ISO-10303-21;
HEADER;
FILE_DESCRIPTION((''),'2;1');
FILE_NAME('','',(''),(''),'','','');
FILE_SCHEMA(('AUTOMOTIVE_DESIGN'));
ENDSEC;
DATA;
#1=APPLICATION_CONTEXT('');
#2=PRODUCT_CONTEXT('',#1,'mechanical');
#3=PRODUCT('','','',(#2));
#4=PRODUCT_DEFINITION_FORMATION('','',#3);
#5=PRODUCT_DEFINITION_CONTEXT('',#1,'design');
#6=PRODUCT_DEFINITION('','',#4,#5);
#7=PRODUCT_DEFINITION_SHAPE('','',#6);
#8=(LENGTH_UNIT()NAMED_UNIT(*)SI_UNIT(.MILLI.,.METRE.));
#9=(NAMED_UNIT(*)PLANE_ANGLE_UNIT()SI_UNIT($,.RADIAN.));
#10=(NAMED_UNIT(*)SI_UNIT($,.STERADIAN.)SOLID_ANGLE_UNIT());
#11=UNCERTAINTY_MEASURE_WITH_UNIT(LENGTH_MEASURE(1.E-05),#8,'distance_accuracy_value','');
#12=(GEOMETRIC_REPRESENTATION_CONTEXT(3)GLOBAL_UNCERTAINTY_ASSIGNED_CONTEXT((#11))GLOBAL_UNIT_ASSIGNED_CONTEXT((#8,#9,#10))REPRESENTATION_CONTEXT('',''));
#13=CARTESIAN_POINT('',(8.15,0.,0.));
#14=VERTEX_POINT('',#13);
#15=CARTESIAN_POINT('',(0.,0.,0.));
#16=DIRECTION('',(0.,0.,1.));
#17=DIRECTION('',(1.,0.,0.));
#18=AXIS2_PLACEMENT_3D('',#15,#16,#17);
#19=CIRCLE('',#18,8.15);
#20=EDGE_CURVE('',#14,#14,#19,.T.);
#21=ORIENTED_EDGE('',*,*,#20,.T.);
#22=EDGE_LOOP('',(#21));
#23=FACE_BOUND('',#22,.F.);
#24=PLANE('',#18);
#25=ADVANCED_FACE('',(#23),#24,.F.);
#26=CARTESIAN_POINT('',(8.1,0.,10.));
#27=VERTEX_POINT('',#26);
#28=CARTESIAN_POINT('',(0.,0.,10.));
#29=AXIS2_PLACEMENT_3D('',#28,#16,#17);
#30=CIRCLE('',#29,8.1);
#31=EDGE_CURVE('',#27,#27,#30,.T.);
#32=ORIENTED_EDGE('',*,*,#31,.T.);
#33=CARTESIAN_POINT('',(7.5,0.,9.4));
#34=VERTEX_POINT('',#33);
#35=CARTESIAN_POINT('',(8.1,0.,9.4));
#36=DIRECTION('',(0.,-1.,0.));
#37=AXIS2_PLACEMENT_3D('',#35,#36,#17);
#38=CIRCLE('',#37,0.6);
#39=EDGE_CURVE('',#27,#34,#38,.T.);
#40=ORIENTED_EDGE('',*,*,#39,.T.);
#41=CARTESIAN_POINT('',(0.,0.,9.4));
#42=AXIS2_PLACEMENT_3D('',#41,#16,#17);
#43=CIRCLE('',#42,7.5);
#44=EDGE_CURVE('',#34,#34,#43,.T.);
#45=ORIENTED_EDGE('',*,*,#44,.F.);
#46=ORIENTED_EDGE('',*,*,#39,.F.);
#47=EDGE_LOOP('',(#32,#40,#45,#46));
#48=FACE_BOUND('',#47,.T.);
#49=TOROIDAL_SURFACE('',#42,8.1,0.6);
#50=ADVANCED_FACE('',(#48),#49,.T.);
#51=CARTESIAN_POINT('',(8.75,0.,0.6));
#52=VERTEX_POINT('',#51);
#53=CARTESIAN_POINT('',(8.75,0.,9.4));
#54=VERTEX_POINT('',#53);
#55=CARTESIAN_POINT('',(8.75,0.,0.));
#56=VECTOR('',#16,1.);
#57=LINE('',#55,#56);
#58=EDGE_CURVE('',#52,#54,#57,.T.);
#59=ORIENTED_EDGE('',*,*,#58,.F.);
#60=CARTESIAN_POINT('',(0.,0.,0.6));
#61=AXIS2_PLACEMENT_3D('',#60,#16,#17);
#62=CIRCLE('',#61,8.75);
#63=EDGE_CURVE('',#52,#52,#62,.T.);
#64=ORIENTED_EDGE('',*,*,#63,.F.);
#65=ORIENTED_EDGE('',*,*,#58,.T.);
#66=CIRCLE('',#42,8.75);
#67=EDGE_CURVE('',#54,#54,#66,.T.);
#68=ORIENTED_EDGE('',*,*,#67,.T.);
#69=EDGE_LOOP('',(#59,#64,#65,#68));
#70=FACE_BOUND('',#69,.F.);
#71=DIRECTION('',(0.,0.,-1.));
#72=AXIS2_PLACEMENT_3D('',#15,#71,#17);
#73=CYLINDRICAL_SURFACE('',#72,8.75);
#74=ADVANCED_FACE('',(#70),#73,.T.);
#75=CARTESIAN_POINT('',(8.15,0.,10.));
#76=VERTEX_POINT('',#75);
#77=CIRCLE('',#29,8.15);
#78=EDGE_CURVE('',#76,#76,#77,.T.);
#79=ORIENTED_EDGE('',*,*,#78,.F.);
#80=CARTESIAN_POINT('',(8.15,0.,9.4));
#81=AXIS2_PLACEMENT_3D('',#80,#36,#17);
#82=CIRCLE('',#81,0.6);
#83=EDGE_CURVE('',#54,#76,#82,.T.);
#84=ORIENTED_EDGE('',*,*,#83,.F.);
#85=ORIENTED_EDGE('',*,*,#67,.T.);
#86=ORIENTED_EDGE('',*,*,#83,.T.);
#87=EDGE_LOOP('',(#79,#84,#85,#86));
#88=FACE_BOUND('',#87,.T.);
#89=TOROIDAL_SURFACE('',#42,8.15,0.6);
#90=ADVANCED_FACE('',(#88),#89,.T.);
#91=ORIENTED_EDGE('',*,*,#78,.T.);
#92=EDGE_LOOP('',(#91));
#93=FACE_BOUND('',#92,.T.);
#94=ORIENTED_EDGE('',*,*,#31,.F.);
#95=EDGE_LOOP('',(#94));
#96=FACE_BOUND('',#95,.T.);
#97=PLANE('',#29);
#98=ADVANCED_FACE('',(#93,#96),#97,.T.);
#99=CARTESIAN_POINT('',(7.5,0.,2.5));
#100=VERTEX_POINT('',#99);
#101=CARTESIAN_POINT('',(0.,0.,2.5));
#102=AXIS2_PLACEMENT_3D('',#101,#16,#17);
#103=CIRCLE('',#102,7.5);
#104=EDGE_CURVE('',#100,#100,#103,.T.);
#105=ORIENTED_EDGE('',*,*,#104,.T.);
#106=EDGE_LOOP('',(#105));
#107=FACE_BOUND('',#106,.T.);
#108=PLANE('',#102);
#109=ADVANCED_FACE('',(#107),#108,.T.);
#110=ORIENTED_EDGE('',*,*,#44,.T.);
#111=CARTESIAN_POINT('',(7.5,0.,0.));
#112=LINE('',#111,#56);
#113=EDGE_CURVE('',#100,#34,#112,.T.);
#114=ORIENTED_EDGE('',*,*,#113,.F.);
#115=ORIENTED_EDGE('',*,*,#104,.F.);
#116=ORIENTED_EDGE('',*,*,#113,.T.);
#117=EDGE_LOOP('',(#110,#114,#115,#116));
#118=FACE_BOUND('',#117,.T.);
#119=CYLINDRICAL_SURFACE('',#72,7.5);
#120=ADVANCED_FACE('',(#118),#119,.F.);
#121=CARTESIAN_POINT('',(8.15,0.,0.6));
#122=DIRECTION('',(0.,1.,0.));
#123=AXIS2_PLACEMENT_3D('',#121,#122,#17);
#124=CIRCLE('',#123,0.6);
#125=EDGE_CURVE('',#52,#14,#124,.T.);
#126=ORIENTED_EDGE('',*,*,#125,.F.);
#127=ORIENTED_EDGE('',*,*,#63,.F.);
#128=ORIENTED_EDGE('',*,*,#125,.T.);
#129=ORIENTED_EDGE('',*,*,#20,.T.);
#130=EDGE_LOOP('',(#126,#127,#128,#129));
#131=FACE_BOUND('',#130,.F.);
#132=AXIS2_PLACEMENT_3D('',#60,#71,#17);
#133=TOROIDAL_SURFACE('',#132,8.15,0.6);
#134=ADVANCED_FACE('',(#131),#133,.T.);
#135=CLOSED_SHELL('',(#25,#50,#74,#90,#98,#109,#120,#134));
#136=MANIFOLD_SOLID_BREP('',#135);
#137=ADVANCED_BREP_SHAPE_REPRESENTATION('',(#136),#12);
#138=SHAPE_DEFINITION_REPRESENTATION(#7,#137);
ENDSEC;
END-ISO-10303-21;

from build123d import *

# Parameters (mm, degrees)
F0_R     = 7.5
F1_DEPTH = 2.5
F0_R_2   = 8.75
F2_DEPTH = 10
F3_R     = 0.6


with BuildPart() as f1:
    # F0 (on Top) → F1 (new body)
    with BuildSketch(Plane.XY):
        Circle(F0_R)
    extrude(amount=F1_DEPTH)

    # F0 (on Top) → F2 (join)
    with BuildSketch(Plane.XY):
        Circle(F0_R_2)
        Circle(F0_R, mode=Mode.SUBTRACT)
    extrude(amount=F2_DEPTH)

    # F3
    f3_edges = [f1.edges().sort_by_distance(p)[0] for p in [
        (-7.5, 0, 10),
        (-8.75, 0, 10),
        (-8.75, 0, 0),
    ]]
    fillet(f3_edges, radius=F3_R)


solid = f1.part
